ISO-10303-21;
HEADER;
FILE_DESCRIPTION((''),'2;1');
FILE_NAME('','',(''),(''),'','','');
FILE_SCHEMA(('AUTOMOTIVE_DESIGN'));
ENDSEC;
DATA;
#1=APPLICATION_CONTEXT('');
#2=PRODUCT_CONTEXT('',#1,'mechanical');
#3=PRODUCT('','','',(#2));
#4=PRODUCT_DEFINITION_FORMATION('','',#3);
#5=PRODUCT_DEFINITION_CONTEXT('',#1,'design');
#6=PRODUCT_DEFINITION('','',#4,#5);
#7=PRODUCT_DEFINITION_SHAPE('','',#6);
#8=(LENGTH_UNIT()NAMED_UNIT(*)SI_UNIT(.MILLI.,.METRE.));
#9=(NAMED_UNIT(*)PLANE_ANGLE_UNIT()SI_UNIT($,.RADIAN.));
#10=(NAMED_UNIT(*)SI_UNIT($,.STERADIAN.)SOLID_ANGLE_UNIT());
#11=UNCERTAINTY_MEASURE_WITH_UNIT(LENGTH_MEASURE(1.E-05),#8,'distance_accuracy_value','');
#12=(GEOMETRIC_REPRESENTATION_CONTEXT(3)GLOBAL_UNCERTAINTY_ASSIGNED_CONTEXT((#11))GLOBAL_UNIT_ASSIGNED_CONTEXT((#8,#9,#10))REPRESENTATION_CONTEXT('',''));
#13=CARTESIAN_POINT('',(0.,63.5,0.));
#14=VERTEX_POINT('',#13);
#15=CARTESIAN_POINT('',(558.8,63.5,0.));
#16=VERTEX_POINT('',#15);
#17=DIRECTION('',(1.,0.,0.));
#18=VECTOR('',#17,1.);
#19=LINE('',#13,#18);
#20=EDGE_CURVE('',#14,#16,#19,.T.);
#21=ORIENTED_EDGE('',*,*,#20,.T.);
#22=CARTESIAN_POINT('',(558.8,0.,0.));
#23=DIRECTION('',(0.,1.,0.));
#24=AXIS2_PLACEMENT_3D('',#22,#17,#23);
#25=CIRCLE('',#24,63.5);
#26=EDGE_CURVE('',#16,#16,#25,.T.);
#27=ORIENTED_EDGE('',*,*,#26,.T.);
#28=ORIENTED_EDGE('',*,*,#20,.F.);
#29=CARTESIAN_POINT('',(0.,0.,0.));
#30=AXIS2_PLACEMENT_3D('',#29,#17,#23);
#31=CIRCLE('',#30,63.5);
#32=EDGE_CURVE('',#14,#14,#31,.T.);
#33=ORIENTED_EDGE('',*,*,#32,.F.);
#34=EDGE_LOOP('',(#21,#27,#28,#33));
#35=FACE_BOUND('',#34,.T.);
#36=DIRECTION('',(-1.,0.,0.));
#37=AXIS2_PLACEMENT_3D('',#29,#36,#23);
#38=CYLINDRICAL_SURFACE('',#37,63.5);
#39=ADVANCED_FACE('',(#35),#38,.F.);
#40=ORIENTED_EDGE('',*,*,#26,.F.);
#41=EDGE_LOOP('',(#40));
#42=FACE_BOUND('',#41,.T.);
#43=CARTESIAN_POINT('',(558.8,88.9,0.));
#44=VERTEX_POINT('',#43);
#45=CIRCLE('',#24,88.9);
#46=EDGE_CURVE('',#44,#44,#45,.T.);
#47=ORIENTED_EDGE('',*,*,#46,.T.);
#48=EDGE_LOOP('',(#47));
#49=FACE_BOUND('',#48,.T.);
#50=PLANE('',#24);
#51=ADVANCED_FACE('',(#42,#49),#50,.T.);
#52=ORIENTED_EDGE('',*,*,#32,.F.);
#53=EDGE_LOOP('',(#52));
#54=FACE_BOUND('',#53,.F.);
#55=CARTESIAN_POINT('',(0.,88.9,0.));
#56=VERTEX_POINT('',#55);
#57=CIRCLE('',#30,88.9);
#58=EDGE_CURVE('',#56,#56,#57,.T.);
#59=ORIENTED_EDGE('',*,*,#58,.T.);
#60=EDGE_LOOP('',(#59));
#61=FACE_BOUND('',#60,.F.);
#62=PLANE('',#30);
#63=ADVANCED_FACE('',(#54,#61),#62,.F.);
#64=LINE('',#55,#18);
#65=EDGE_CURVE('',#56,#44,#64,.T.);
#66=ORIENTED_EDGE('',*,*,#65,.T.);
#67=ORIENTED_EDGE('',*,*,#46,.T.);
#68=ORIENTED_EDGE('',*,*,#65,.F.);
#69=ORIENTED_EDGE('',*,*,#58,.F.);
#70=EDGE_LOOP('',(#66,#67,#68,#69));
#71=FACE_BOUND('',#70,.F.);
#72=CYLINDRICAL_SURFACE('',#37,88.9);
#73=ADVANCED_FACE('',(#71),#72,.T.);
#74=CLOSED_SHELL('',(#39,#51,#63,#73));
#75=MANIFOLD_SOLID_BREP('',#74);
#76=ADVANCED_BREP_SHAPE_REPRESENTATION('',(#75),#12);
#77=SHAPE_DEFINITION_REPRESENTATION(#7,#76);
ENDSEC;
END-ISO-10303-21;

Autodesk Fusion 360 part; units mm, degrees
sketch "Sketch1" plane through (0, 0, 0) normal (1, 0, 0) x (0, 1, 0)
  circle A0 centre (0, 0) radius 63.5
  circle A1 centre (0, 0) radius 88.9
  dimension "d1" = 127
  dimension "d2" = 177.8
extrude "Extrude1" add sketch "Sketch1" along normal blind 558.8
